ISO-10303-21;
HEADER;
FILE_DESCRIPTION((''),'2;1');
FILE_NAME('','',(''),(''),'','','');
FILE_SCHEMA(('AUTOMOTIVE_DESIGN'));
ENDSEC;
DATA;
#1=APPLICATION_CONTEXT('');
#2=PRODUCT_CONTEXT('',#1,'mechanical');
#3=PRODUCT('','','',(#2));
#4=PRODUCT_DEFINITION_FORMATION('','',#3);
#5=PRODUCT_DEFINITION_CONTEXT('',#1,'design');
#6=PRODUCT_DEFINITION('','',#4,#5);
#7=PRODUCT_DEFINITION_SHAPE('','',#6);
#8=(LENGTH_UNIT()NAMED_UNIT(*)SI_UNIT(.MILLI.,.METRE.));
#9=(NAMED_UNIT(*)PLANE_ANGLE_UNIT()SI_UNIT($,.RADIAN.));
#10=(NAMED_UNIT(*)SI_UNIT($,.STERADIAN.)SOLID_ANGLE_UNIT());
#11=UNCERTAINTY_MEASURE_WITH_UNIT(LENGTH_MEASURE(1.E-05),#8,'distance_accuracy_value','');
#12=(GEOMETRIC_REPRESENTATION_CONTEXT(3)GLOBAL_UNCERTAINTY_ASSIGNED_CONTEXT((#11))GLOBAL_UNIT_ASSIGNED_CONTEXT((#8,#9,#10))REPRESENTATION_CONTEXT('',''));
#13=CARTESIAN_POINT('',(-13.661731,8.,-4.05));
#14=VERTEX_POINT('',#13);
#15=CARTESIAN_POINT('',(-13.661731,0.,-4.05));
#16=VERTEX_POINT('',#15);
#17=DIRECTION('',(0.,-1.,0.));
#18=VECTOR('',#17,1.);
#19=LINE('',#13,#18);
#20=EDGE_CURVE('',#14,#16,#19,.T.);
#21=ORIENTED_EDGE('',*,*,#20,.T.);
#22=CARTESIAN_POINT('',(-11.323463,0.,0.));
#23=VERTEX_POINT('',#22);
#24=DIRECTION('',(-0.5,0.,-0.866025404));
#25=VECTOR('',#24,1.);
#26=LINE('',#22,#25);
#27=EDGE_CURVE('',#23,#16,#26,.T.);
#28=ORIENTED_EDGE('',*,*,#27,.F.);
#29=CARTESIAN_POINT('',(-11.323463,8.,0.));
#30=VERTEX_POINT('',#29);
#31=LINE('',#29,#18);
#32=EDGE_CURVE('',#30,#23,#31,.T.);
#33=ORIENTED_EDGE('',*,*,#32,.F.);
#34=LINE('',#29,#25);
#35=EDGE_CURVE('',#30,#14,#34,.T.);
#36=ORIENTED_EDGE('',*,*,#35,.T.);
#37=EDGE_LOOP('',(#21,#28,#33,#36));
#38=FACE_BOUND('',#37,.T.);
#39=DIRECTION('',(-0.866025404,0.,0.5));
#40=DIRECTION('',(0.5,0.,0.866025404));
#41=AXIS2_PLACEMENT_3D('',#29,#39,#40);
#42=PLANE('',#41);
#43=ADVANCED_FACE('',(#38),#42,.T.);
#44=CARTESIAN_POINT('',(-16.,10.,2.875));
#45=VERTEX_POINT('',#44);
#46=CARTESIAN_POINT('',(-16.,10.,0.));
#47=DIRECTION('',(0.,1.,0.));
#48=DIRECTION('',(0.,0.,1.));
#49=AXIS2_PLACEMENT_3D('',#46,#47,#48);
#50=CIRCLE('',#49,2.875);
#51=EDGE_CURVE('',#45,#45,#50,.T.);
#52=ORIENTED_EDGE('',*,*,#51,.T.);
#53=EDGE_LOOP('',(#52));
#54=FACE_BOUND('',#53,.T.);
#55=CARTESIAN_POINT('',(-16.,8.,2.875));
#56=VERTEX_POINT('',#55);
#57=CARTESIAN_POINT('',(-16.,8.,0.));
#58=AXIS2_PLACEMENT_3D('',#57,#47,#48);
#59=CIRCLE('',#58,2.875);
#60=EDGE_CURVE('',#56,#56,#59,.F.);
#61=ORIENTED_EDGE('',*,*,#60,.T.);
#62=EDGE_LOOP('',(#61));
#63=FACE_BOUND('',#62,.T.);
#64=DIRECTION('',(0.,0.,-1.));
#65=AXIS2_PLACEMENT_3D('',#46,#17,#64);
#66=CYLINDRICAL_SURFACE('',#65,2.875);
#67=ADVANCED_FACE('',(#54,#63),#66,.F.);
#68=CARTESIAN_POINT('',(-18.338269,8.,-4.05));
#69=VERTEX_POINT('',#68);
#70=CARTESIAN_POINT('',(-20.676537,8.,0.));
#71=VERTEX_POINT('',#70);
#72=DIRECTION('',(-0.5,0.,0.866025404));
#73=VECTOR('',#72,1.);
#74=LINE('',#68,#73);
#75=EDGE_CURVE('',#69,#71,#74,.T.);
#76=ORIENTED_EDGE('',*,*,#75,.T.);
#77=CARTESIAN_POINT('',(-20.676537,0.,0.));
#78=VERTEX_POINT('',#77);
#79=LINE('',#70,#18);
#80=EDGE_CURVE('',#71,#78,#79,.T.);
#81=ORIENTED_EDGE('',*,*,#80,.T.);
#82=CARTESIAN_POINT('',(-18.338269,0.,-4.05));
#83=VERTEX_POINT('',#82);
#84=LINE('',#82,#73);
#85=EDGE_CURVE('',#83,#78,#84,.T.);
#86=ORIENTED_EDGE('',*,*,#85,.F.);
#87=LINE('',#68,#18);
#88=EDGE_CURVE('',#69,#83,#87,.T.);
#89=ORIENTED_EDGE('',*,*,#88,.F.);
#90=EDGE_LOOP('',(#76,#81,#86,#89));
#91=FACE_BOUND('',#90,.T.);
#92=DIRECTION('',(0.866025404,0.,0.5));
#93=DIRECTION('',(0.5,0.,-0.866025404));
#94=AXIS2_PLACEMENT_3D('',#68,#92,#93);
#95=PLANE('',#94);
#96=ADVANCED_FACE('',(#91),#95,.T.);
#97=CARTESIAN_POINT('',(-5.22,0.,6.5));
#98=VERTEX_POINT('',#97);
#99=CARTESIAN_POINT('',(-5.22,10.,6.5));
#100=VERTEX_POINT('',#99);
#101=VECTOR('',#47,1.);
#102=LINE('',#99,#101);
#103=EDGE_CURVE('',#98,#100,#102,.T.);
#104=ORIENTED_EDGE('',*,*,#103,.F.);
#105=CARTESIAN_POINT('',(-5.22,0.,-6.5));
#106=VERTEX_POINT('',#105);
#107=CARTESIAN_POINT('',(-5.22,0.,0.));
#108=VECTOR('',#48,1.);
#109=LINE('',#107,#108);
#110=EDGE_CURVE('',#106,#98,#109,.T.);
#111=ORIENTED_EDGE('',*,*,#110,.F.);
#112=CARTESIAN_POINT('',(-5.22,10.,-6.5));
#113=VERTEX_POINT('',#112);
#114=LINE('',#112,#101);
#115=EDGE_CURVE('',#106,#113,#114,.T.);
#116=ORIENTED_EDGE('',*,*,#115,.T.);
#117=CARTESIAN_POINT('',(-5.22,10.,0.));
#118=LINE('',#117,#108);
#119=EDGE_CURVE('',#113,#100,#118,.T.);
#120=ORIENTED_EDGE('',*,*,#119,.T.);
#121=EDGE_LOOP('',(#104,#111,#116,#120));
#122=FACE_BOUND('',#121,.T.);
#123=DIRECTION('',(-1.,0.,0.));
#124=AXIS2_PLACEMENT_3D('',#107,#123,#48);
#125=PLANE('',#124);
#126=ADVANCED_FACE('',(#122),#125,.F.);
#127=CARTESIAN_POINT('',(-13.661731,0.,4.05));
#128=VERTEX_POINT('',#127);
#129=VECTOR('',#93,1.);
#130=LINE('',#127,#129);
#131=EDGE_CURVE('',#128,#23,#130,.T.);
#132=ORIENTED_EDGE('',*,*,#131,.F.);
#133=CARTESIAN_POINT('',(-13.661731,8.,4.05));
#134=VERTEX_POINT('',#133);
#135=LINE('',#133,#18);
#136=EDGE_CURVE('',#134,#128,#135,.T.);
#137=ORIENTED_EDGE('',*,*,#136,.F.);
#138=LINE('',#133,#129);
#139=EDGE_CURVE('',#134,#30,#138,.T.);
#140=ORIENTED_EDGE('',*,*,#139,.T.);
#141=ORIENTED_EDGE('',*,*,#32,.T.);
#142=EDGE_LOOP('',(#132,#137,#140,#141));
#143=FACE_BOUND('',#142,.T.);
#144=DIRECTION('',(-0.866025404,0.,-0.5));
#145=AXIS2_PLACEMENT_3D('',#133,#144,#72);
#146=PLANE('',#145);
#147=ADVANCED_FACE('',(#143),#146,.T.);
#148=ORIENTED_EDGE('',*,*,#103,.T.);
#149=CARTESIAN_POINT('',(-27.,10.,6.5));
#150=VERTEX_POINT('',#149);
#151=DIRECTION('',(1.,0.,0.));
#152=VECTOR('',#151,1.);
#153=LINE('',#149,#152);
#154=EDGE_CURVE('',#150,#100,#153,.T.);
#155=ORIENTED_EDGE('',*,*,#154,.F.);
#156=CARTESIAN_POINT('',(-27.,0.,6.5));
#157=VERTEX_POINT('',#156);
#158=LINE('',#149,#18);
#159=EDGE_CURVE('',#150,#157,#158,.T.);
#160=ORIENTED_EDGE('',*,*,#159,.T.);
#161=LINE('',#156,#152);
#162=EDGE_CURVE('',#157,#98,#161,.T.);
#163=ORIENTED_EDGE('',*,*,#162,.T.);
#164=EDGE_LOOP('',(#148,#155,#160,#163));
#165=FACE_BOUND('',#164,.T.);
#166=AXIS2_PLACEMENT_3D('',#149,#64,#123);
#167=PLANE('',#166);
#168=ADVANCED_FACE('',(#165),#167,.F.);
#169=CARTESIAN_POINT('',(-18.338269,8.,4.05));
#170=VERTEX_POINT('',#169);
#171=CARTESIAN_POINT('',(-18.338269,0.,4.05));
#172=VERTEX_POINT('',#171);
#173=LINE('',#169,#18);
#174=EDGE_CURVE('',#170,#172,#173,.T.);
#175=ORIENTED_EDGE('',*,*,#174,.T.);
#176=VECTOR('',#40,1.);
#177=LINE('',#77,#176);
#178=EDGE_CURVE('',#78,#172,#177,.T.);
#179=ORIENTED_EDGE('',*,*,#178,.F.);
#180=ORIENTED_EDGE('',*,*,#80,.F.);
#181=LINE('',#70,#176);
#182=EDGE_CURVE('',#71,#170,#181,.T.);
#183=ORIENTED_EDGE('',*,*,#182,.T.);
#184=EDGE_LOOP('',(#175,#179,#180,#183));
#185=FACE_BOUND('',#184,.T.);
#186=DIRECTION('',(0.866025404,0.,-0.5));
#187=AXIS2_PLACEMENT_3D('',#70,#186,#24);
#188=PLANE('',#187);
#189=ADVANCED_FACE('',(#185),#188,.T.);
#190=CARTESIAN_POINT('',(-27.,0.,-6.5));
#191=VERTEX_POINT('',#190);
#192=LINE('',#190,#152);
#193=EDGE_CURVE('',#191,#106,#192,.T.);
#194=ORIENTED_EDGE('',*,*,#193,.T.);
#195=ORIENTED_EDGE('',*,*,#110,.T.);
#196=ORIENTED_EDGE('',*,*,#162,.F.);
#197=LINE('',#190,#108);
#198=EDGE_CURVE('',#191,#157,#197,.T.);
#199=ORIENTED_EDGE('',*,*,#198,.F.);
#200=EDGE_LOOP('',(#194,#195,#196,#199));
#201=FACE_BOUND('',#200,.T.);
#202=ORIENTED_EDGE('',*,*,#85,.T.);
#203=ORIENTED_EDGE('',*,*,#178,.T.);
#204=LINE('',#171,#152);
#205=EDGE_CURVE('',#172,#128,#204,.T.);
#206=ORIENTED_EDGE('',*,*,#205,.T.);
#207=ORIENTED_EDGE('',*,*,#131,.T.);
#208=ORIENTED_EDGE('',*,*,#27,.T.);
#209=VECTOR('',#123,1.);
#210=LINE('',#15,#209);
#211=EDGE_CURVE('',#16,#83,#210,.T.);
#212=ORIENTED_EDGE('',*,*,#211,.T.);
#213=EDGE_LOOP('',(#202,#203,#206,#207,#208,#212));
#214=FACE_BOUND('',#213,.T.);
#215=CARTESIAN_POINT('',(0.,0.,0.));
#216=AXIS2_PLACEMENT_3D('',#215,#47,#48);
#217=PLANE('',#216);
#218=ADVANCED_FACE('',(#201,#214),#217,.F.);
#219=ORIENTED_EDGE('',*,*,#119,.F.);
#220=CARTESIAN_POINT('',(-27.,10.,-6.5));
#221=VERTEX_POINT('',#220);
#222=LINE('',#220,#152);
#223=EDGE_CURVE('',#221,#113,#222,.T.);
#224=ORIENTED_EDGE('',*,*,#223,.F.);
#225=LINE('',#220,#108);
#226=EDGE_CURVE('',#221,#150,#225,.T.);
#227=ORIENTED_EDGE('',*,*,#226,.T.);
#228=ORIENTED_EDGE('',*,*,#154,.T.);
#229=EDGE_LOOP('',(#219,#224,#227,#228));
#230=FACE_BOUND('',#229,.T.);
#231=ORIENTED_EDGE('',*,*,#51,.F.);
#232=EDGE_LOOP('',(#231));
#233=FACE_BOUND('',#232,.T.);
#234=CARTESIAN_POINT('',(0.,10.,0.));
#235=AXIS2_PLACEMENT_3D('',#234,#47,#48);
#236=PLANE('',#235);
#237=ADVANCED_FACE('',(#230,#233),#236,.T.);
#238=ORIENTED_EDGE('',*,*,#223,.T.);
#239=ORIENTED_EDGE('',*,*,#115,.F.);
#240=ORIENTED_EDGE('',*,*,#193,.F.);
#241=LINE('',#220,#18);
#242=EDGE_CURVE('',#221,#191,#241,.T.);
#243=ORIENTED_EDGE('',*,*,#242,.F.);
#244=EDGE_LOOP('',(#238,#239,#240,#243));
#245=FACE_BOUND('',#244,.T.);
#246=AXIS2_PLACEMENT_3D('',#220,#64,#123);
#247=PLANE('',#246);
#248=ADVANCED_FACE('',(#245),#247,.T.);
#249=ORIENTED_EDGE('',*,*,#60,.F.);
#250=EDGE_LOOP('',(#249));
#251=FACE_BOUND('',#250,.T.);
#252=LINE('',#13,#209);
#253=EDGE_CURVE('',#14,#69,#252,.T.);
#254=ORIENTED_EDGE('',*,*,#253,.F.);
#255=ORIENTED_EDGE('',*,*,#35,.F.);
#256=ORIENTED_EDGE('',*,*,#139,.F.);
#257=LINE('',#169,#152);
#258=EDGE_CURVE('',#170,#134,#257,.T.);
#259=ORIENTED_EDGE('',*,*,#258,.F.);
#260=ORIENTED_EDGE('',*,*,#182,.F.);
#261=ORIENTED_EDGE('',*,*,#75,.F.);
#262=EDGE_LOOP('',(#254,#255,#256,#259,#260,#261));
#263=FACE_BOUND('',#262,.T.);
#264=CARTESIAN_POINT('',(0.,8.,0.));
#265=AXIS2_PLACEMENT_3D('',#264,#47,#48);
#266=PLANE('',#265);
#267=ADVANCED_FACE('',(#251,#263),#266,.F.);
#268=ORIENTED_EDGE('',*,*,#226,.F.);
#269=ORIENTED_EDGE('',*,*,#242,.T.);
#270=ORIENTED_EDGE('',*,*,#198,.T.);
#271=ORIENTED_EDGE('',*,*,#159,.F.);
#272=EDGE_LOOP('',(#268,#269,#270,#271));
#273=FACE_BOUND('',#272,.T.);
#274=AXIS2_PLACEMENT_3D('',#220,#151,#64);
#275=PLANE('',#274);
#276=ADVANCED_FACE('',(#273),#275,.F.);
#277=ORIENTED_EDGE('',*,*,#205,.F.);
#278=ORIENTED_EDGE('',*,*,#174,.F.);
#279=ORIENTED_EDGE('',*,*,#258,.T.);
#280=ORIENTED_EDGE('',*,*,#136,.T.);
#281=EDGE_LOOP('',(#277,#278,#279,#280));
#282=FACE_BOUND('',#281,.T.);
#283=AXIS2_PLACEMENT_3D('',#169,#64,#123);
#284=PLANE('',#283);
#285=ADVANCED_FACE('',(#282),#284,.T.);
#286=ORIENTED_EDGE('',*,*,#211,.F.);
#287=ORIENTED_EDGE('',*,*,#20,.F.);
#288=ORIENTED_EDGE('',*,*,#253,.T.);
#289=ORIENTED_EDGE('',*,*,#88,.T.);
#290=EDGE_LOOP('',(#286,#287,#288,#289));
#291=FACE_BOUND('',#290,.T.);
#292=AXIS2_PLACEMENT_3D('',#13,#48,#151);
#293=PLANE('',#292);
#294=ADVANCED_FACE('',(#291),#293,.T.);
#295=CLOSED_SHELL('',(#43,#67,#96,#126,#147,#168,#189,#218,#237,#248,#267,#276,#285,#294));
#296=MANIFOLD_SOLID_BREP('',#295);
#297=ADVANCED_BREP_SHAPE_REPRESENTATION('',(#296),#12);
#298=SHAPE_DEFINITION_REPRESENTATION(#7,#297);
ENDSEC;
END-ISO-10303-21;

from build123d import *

# Parameters (mm, degrees)
CROQUIS1_W              = 54
CROQUIS1_H              = 13
SALIENTE_EXTRUIR1_DEPTH = 10
CORTAR_EXTRUIR1_DEPTH   = 8
CROQUIS1_4_R            = 2.875
CORTAR_EXTRUIR2_DEPTH   = 11
CROQUIS2_W              = 50.887178886
CROQUIS2_H              = 27.662521268
CORTAR_EXTRUIR3_DEPTH   = 33.22


with BuildPart() as part:
    # Croquis1 → Saliente-Extruir1 (new body)
    with BuildSketch(Plane(origin=(0, 0, 0), x_dir=(1, 0, 0), z_dir=(0, 1, 0))):
        Rectangle(CROQUIS1_W, CROQUIS1_H)
    extrude(amount=SALIENTE_EXTRUIR1_DEPTH)

    # Croquis1<3> → Cortar-Extruir1 (cut)
    with BuildSketch(Plane(origin=(0, 0, 0), x_dir=(1, 0, 0), z_dir=(0, 1, 0))):
        Polygon((-18.33826859, -4.05), (-13.66173141, -4.05), (-11.32346282, 0), (-13.66173141, 4.05), (-18.33826859, 4.05), (-20.67653718, 0), align=None)
        Polygon((20.67653718, 0), (18.33826859, 4.05), (13.66173141, 4.05), (11.32346282, 0), (13.66173141, -4.05), (18.33826859, -4.05), align=None)
    extrude(amount=CORTAR_EXTRUIR1_DEPTH, mode=Mode.SUBTRACT)

    # Croquis1<4> → Cortar-Extruir2 (cut, through all)
    with BuildSketch(Plane(origin=(0, 0, 0), x_dir=(1, 0, 0), z_dir=(0, 1, 0))):
        with Locations((-16, 0)):
            Circle(CROQUIS1_4_R)
        with Locations((16, 0)):
            Circle(CROQUIS1_4_R)
    extrude(amount=CORTAR_EXTRUIR2_DEPTH, mode=Mode.SUBTRACT)

    # Croquis2 → Cortar-Extruir3 (cut, through all)
    with BuildSketch(Plane.ZY.offset(5.22)):
        with Locations((0.866942471, 5.460502056)):
            Rectangle(CROQUIS2_W, CROQUIS2_H)
    extrude(amount=-CORTAR_EXTRUIR3_DEPTH, mode=Mode.SUBTRACT)


solid = part.part
